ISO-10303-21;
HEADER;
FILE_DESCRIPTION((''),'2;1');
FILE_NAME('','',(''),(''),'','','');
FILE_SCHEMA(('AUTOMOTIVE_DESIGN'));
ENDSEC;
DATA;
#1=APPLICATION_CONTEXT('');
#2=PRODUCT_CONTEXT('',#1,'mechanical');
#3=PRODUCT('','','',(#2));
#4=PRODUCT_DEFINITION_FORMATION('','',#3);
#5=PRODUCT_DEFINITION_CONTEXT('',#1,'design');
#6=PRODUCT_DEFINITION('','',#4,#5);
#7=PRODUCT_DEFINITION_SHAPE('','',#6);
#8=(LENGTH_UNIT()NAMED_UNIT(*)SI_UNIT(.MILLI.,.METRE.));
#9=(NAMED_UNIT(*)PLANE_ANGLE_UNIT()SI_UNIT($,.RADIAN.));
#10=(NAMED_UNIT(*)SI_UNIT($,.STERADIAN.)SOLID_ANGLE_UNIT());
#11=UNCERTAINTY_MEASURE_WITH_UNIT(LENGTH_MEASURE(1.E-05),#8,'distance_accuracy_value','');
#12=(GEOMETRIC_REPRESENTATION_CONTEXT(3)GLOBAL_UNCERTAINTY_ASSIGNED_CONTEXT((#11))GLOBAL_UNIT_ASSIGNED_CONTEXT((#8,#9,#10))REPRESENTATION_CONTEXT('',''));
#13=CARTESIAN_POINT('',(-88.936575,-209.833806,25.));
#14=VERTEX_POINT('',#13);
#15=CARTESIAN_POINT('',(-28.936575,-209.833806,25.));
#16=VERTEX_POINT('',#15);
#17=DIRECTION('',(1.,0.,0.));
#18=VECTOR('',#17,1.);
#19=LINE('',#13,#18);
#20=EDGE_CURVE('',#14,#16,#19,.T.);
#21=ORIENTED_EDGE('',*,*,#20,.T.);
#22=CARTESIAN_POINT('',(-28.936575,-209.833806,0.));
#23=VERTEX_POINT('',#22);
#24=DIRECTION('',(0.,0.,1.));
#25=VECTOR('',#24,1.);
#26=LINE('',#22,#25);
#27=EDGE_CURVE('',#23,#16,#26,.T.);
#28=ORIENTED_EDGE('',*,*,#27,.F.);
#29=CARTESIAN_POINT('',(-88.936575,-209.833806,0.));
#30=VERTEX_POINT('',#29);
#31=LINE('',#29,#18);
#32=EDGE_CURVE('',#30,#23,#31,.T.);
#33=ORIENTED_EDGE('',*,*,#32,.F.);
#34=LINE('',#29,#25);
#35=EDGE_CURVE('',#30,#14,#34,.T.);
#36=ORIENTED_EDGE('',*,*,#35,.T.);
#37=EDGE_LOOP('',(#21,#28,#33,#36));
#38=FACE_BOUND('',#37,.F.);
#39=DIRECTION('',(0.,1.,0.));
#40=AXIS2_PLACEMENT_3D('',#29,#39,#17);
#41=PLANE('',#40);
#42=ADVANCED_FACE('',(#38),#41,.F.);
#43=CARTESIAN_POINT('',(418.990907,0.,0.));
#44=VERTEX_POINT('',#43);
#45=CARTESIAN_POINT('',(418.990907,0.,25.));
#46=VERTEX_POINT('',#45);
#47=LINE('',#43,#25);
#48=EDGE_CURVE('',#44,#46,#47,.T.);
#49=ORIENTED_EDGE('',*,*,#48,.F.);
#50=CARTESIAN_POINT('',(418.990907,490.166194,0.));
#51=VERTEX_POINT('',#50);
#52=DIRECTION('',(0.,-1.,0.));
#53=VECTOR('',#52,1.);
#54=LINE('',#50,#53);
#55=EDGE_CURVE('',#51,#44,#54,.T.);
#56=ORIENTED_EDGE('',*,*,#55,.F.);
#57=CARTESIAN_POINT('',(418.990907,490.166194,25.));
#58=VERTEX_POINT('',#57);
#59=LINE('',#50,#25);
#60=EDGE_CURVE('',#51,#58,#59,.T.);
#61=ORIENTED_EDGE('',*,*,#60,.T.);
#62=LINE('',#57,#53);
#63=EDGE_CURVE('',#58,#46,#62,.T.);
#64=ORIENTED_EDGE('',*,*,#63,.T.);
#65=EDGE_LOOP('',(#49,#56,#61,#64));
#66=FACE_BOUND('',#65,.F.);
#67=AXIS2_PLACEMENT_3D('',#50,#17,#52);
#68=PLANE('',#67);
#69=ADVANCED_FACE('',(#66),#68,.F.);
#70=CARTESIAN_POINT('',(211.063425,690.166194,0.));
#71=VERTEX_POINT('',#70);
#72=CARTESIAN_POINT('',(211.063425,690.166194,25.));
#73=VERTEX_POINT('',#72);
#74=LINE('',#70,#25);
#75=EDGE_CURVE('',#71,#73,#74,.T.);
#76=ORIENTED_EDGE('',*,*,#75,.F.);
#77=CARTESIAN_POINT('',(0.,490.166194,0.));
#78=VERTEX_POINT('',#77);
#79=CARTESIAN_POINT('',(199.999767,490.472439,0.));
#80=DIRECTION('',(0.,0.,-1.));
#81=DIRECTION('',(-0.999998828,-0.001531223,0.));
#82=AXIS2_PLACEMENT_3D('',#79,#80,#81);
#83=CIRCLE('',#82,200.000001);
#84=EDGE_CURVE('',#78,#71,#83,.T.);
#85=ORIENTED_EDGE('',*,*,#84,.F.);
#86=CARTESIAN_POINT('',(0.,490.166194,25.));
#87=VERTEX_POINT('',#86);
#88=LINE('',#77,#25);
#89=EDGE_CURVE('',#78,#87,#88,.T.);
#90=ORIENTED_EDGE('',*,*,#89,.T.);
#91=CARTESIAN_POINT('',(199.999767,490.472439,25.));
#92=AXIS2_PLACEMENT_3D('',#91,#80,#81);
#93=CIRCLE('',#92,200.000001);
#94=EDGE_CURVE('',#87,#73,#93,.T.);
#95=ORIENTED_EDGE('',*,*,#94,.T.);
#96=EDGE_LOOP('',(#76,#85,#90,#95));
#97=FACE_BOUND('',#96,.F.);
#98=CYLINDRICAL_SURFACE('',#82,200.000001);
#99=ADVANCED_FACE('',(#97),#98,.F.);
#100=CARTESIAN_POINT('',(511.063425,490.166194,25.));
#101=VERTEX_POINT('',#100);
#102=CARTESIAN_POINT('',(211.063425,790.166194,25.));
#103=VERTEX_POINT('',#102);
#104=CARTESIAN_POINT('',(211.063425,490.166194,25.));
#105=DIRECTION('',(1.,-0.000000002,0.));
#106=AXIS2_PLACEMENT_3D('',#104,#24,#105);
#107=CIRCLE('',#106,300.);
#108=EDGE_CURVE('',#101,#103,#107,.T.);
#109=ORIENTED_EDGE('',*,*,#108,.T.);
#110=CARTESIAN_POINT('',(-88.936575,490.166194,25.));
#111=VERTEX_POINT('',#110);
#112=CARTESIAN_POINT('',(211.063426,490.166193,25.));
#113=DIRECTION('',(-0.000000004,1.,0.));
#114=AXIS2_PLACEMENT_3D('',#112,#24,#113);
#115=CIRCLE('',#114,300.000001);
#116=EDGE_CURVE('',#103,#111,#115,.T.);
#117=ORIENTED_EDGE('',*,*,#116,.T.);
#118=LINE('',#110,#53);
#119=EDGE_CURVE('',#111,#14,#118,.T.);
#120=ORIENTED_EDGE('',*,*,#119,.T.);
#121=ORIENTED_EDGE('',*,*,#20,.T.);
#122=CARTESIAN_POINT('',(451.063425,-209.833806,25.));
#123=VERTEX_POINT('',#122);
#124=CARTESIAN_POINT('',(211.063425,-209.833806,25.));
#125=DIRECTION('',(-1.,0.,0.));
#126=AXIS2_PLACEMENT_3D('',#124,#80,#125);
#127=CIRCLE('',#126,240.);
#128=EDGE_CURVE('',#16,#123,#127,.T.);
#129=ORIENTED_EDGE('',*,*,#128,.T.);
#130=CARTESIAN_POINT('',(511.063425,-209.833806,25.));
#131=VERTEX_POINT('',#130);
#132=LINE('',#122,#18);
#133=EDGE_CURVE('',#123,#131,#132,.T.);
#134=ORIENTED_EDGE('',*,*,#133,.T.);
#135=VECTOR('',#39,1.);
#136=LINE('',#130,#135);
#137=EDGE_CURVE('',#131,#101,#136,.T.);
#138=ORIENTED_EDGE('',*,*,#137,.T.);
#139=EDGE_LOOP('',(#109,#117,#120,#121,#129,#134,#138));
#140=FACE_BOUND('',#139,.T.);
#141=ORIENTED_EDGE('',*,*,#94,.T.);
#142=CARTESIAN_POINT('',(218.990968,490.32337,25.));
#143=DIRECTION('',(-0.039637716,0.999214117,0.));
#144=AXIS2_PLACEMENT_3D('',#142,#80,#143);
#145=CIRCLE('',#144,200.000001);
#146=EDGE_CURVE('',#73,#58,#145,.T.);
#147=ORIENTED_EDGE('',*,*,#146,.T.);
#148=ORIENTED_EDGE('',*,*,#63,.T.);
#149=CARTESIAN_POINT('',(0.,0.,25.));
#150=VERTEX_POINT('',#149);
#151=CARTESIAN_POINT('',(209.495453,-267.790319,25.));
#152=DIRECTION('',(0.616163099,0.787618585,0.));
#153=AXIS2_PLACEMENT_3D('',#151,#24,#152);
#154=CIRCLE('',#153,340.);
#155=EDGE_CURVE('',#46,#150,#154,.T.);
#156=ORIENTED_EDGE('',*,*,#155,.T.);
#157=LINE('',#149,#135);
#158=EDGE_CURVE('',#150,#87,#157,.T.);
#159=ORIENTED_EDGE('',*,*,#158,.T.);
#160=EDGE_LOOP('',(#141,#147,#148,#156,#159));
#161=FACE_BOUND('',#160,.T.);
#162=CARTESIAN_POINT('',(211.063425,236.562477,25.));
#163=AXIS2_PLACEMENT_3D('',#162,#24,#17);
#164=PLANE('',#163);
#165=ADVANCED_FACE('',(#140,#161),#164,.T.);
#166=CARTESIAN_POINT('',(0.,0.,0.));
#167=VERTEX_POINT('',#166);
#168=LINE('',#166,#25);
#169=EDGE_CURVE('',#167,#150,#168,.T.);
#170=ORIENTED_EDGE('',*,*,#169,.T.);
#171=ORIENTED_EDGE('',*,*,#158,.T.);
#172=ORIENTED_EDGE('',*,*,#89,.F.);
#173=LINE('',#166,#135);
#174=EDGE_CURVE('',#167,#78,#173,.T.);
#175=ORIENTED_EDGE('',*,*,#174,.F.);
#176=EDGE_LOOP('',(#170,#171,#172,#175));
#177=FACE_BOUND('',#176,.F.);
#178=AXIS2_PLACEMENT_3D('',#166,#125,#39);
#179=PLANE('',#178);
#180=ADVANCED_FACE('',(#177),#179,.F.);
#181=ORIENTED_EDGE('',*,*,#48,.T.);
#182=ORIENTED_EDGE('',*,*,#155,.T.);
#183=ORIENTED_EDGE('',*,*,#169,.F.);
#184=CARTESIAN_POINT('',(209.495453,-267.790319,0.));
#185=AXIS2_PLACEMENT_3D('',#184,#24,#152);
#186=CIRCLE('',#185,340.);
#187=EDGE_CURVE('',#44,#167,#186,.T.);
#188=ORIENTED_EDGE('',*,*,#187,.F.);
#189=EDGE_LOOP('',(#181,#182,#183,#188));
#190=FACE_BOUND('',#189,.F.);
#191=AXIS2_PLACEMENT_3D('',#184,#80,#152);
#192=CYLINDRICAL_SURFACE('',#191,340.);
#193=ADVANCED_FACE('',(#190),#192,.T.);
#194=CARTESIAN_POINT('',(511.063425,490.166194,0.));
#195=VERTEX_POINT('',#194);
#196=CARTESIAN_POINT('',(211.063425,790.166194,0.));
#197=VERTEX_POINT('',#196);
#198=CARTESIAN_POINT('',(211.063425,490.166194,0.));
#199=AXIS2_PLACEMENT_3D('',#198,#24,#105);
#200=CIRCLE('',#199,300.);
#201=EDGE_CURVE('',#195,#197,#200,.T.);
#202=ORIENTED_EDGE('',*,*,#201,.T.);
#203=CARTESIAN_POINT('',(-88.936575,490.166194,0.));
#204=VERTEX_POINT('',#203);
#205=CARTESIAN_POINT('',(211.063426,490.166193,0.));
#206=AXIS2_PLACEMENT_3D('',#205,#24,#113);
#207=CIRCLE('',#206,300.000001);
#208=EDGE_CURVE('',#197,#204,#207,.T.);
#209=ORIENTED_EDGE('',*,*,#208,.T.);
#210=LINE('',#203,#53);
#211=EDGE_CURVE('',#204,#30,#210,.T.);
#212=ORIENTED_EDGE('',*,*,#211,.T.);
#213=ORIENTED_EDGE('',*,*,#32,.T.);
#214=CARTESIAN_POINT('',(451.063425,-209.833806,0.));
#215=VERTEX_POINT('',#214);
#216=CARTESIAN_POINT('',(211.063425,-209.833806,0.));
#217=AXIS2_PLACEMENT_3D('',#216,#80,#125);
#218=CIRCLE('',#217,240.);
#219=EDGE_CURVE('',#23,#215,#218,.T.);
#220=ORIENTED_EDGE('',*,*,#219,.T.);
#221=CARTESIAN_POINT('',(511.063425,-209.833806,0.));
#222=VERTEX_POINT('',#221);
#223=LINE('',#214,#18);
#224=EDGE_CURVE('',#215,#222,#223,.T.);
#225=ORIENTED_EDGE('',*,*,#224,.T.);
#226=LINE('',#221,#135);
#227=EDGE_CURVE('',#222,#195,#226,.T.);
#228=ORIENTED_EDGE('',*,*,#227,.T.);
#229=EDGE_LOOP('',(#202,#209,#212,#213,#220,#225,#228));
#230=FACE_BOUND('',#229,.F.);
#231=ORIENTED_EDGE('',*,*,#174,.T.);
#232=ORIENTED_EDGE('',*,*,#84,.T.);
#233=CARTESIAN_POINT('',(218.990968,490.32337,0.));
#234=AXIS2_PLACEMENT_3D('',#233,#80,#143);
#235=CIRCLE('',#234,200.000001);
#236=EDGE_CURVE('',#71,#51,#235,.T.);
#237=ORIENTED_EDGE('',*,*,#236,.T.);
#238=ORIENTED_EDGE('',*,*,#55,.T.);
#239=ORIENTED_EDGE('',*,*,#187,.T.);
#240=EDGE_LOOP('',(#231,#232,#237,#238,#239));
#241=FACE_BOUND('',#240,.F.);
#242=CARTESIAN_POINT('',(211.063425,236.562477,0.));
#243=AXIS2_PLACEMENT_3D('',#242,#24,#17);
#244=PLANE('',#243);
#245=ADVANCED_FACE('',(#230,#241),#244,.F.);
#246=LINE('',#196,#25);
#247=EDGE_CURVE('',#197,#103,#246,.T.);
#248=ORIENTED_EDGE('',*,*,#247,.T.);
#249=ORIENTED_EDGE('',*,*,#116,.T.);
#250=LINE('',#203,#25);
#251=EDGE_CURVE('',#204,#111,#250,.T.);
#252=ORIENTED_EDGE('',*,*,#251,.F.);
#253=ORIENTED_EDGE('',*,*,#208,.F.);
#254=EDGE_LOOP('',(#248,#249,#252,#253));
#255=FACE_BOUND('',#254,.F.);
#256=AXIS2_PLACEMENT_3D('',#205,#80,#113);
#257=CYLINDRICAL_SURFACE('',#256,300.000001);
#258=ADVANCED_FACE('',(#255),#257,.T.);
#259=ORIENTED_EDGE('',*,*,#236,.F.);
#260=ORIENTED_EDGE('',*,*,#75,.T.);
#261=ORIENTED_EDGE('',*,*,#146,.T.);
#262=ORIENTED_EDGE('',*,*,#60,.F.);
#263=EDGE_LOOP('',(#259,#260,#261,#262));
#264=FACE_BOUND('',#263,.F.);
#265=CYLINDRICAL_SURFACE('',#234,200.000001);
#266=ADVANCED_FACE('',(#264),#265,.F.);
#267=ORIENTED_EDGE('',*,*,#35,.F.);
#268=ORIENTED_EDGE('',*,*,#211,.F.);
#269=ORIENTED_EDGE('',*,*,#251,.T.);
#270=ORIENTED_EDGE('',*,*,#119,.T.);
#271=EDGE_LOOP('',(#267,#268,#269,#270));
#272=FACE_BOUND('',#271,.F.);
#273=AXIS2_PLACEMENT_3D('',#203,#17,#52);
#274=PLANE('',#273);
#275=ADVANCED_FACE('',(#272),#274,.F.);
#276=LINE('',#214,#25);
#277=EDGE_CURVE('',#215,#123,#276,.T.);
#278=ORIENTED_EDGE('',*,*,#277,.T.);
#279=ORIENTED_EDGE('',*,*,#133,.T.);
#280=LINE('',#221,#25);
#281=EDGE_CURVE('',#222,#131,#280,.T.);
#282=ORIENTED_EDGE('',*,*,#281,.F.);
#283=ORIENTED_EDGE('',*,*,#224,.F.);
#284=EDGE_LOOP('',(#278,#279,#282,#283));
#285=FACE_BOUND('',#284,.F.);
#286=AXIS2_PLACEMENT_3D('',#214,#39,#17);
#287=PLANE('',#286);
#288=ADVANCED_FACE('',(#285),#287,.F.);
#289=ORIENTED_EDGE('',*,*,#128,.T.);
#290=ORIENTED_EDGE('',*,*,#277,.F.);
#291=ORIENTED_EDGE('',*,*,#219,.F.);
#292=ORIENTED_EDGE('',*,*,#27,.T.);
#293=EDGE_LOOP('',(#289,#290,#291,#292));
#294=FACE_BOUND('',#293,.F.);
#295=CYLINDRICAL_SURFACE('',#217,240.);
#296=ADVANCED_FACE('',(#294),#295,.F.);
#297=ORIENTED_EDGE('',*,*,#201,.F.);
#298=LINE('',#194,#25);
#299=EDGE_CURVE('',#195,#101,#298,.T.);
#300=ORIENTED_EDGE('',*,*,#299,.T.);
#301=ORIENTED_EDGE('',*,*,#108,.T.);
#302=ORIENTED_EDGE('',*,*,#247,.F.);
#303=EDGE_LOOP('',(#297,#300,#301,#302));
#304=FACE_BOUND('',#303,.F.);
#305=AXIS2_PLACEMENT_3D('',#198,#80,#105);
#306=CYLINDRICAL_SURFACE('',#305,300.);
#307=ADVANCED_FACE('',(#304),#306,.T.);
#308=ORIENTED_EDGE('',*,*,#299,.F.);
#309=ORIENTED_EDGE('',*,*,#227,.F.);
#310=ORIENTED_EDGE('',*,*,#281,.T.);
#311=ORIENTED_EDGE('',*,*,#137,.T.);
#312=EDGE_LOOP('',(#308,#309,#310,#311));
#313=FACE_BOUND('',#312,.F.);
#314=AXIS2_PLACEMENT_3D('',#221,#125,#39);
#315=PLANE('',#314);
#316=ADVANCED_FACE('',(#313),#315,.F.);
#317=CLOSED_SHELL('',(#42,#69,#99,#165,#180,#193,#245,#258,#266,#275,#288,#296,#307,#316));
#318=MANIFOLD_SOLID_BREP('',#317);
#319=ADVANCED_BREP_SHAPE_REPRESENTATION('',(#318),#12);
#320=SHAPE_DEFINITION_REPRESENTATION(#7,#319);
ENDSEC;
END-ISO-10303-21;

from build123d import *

# Parameters (mm, degrees)
F1_DEPTH = 25


with BuildPart() as f1:
    # F0 (on Top) → F1 (new body)
    with BuildSketch(Plane.XY):
        with BuildLine():
            Line((-88.936575, 490.166194), (-88.936575, -209.833806))
            Line((-88.936575, -209.833806), (-28.936575, -209.833806))
            ThreePointArc((-28.936575, -209.833806), (211.063425, 30.166194), (451.063425, -209.833806))
            Line((451.063425, -209.833806), (511.063425, -209.833806))
            Line((511.063425, -209.833806), (511.063425, 490.166194))
            ThreePointArc((511.063425, 490.166194), (423.19546, 702.298228), (211.063425, 790.166194))
            ThreePointArc((211.063425, 790.166194), (-1.068609, 702.298228), (-88.936575, 490.166194))
        make_face()
        with BuildLine():
            ThreePointArc((0, 490.166194), (62.434461, 635.647461), (211.063425, 690.166194))
            ThreePointArc((211.063425, 690.166194), (357.637827, 634.46583), (418.990907, 490.166194))
            Line((418.990907, 490.166194), (418.990907, 0))
            ThreePointArc((418.990907, 0), (209.495453, 72.209681), (0, 0))
            Line((0, 0), (0, 490.166194))
        make_face(mode=Mode.SUBTRACT)
    extrude(amount=F1_DEPTH)


solid = f1.part
